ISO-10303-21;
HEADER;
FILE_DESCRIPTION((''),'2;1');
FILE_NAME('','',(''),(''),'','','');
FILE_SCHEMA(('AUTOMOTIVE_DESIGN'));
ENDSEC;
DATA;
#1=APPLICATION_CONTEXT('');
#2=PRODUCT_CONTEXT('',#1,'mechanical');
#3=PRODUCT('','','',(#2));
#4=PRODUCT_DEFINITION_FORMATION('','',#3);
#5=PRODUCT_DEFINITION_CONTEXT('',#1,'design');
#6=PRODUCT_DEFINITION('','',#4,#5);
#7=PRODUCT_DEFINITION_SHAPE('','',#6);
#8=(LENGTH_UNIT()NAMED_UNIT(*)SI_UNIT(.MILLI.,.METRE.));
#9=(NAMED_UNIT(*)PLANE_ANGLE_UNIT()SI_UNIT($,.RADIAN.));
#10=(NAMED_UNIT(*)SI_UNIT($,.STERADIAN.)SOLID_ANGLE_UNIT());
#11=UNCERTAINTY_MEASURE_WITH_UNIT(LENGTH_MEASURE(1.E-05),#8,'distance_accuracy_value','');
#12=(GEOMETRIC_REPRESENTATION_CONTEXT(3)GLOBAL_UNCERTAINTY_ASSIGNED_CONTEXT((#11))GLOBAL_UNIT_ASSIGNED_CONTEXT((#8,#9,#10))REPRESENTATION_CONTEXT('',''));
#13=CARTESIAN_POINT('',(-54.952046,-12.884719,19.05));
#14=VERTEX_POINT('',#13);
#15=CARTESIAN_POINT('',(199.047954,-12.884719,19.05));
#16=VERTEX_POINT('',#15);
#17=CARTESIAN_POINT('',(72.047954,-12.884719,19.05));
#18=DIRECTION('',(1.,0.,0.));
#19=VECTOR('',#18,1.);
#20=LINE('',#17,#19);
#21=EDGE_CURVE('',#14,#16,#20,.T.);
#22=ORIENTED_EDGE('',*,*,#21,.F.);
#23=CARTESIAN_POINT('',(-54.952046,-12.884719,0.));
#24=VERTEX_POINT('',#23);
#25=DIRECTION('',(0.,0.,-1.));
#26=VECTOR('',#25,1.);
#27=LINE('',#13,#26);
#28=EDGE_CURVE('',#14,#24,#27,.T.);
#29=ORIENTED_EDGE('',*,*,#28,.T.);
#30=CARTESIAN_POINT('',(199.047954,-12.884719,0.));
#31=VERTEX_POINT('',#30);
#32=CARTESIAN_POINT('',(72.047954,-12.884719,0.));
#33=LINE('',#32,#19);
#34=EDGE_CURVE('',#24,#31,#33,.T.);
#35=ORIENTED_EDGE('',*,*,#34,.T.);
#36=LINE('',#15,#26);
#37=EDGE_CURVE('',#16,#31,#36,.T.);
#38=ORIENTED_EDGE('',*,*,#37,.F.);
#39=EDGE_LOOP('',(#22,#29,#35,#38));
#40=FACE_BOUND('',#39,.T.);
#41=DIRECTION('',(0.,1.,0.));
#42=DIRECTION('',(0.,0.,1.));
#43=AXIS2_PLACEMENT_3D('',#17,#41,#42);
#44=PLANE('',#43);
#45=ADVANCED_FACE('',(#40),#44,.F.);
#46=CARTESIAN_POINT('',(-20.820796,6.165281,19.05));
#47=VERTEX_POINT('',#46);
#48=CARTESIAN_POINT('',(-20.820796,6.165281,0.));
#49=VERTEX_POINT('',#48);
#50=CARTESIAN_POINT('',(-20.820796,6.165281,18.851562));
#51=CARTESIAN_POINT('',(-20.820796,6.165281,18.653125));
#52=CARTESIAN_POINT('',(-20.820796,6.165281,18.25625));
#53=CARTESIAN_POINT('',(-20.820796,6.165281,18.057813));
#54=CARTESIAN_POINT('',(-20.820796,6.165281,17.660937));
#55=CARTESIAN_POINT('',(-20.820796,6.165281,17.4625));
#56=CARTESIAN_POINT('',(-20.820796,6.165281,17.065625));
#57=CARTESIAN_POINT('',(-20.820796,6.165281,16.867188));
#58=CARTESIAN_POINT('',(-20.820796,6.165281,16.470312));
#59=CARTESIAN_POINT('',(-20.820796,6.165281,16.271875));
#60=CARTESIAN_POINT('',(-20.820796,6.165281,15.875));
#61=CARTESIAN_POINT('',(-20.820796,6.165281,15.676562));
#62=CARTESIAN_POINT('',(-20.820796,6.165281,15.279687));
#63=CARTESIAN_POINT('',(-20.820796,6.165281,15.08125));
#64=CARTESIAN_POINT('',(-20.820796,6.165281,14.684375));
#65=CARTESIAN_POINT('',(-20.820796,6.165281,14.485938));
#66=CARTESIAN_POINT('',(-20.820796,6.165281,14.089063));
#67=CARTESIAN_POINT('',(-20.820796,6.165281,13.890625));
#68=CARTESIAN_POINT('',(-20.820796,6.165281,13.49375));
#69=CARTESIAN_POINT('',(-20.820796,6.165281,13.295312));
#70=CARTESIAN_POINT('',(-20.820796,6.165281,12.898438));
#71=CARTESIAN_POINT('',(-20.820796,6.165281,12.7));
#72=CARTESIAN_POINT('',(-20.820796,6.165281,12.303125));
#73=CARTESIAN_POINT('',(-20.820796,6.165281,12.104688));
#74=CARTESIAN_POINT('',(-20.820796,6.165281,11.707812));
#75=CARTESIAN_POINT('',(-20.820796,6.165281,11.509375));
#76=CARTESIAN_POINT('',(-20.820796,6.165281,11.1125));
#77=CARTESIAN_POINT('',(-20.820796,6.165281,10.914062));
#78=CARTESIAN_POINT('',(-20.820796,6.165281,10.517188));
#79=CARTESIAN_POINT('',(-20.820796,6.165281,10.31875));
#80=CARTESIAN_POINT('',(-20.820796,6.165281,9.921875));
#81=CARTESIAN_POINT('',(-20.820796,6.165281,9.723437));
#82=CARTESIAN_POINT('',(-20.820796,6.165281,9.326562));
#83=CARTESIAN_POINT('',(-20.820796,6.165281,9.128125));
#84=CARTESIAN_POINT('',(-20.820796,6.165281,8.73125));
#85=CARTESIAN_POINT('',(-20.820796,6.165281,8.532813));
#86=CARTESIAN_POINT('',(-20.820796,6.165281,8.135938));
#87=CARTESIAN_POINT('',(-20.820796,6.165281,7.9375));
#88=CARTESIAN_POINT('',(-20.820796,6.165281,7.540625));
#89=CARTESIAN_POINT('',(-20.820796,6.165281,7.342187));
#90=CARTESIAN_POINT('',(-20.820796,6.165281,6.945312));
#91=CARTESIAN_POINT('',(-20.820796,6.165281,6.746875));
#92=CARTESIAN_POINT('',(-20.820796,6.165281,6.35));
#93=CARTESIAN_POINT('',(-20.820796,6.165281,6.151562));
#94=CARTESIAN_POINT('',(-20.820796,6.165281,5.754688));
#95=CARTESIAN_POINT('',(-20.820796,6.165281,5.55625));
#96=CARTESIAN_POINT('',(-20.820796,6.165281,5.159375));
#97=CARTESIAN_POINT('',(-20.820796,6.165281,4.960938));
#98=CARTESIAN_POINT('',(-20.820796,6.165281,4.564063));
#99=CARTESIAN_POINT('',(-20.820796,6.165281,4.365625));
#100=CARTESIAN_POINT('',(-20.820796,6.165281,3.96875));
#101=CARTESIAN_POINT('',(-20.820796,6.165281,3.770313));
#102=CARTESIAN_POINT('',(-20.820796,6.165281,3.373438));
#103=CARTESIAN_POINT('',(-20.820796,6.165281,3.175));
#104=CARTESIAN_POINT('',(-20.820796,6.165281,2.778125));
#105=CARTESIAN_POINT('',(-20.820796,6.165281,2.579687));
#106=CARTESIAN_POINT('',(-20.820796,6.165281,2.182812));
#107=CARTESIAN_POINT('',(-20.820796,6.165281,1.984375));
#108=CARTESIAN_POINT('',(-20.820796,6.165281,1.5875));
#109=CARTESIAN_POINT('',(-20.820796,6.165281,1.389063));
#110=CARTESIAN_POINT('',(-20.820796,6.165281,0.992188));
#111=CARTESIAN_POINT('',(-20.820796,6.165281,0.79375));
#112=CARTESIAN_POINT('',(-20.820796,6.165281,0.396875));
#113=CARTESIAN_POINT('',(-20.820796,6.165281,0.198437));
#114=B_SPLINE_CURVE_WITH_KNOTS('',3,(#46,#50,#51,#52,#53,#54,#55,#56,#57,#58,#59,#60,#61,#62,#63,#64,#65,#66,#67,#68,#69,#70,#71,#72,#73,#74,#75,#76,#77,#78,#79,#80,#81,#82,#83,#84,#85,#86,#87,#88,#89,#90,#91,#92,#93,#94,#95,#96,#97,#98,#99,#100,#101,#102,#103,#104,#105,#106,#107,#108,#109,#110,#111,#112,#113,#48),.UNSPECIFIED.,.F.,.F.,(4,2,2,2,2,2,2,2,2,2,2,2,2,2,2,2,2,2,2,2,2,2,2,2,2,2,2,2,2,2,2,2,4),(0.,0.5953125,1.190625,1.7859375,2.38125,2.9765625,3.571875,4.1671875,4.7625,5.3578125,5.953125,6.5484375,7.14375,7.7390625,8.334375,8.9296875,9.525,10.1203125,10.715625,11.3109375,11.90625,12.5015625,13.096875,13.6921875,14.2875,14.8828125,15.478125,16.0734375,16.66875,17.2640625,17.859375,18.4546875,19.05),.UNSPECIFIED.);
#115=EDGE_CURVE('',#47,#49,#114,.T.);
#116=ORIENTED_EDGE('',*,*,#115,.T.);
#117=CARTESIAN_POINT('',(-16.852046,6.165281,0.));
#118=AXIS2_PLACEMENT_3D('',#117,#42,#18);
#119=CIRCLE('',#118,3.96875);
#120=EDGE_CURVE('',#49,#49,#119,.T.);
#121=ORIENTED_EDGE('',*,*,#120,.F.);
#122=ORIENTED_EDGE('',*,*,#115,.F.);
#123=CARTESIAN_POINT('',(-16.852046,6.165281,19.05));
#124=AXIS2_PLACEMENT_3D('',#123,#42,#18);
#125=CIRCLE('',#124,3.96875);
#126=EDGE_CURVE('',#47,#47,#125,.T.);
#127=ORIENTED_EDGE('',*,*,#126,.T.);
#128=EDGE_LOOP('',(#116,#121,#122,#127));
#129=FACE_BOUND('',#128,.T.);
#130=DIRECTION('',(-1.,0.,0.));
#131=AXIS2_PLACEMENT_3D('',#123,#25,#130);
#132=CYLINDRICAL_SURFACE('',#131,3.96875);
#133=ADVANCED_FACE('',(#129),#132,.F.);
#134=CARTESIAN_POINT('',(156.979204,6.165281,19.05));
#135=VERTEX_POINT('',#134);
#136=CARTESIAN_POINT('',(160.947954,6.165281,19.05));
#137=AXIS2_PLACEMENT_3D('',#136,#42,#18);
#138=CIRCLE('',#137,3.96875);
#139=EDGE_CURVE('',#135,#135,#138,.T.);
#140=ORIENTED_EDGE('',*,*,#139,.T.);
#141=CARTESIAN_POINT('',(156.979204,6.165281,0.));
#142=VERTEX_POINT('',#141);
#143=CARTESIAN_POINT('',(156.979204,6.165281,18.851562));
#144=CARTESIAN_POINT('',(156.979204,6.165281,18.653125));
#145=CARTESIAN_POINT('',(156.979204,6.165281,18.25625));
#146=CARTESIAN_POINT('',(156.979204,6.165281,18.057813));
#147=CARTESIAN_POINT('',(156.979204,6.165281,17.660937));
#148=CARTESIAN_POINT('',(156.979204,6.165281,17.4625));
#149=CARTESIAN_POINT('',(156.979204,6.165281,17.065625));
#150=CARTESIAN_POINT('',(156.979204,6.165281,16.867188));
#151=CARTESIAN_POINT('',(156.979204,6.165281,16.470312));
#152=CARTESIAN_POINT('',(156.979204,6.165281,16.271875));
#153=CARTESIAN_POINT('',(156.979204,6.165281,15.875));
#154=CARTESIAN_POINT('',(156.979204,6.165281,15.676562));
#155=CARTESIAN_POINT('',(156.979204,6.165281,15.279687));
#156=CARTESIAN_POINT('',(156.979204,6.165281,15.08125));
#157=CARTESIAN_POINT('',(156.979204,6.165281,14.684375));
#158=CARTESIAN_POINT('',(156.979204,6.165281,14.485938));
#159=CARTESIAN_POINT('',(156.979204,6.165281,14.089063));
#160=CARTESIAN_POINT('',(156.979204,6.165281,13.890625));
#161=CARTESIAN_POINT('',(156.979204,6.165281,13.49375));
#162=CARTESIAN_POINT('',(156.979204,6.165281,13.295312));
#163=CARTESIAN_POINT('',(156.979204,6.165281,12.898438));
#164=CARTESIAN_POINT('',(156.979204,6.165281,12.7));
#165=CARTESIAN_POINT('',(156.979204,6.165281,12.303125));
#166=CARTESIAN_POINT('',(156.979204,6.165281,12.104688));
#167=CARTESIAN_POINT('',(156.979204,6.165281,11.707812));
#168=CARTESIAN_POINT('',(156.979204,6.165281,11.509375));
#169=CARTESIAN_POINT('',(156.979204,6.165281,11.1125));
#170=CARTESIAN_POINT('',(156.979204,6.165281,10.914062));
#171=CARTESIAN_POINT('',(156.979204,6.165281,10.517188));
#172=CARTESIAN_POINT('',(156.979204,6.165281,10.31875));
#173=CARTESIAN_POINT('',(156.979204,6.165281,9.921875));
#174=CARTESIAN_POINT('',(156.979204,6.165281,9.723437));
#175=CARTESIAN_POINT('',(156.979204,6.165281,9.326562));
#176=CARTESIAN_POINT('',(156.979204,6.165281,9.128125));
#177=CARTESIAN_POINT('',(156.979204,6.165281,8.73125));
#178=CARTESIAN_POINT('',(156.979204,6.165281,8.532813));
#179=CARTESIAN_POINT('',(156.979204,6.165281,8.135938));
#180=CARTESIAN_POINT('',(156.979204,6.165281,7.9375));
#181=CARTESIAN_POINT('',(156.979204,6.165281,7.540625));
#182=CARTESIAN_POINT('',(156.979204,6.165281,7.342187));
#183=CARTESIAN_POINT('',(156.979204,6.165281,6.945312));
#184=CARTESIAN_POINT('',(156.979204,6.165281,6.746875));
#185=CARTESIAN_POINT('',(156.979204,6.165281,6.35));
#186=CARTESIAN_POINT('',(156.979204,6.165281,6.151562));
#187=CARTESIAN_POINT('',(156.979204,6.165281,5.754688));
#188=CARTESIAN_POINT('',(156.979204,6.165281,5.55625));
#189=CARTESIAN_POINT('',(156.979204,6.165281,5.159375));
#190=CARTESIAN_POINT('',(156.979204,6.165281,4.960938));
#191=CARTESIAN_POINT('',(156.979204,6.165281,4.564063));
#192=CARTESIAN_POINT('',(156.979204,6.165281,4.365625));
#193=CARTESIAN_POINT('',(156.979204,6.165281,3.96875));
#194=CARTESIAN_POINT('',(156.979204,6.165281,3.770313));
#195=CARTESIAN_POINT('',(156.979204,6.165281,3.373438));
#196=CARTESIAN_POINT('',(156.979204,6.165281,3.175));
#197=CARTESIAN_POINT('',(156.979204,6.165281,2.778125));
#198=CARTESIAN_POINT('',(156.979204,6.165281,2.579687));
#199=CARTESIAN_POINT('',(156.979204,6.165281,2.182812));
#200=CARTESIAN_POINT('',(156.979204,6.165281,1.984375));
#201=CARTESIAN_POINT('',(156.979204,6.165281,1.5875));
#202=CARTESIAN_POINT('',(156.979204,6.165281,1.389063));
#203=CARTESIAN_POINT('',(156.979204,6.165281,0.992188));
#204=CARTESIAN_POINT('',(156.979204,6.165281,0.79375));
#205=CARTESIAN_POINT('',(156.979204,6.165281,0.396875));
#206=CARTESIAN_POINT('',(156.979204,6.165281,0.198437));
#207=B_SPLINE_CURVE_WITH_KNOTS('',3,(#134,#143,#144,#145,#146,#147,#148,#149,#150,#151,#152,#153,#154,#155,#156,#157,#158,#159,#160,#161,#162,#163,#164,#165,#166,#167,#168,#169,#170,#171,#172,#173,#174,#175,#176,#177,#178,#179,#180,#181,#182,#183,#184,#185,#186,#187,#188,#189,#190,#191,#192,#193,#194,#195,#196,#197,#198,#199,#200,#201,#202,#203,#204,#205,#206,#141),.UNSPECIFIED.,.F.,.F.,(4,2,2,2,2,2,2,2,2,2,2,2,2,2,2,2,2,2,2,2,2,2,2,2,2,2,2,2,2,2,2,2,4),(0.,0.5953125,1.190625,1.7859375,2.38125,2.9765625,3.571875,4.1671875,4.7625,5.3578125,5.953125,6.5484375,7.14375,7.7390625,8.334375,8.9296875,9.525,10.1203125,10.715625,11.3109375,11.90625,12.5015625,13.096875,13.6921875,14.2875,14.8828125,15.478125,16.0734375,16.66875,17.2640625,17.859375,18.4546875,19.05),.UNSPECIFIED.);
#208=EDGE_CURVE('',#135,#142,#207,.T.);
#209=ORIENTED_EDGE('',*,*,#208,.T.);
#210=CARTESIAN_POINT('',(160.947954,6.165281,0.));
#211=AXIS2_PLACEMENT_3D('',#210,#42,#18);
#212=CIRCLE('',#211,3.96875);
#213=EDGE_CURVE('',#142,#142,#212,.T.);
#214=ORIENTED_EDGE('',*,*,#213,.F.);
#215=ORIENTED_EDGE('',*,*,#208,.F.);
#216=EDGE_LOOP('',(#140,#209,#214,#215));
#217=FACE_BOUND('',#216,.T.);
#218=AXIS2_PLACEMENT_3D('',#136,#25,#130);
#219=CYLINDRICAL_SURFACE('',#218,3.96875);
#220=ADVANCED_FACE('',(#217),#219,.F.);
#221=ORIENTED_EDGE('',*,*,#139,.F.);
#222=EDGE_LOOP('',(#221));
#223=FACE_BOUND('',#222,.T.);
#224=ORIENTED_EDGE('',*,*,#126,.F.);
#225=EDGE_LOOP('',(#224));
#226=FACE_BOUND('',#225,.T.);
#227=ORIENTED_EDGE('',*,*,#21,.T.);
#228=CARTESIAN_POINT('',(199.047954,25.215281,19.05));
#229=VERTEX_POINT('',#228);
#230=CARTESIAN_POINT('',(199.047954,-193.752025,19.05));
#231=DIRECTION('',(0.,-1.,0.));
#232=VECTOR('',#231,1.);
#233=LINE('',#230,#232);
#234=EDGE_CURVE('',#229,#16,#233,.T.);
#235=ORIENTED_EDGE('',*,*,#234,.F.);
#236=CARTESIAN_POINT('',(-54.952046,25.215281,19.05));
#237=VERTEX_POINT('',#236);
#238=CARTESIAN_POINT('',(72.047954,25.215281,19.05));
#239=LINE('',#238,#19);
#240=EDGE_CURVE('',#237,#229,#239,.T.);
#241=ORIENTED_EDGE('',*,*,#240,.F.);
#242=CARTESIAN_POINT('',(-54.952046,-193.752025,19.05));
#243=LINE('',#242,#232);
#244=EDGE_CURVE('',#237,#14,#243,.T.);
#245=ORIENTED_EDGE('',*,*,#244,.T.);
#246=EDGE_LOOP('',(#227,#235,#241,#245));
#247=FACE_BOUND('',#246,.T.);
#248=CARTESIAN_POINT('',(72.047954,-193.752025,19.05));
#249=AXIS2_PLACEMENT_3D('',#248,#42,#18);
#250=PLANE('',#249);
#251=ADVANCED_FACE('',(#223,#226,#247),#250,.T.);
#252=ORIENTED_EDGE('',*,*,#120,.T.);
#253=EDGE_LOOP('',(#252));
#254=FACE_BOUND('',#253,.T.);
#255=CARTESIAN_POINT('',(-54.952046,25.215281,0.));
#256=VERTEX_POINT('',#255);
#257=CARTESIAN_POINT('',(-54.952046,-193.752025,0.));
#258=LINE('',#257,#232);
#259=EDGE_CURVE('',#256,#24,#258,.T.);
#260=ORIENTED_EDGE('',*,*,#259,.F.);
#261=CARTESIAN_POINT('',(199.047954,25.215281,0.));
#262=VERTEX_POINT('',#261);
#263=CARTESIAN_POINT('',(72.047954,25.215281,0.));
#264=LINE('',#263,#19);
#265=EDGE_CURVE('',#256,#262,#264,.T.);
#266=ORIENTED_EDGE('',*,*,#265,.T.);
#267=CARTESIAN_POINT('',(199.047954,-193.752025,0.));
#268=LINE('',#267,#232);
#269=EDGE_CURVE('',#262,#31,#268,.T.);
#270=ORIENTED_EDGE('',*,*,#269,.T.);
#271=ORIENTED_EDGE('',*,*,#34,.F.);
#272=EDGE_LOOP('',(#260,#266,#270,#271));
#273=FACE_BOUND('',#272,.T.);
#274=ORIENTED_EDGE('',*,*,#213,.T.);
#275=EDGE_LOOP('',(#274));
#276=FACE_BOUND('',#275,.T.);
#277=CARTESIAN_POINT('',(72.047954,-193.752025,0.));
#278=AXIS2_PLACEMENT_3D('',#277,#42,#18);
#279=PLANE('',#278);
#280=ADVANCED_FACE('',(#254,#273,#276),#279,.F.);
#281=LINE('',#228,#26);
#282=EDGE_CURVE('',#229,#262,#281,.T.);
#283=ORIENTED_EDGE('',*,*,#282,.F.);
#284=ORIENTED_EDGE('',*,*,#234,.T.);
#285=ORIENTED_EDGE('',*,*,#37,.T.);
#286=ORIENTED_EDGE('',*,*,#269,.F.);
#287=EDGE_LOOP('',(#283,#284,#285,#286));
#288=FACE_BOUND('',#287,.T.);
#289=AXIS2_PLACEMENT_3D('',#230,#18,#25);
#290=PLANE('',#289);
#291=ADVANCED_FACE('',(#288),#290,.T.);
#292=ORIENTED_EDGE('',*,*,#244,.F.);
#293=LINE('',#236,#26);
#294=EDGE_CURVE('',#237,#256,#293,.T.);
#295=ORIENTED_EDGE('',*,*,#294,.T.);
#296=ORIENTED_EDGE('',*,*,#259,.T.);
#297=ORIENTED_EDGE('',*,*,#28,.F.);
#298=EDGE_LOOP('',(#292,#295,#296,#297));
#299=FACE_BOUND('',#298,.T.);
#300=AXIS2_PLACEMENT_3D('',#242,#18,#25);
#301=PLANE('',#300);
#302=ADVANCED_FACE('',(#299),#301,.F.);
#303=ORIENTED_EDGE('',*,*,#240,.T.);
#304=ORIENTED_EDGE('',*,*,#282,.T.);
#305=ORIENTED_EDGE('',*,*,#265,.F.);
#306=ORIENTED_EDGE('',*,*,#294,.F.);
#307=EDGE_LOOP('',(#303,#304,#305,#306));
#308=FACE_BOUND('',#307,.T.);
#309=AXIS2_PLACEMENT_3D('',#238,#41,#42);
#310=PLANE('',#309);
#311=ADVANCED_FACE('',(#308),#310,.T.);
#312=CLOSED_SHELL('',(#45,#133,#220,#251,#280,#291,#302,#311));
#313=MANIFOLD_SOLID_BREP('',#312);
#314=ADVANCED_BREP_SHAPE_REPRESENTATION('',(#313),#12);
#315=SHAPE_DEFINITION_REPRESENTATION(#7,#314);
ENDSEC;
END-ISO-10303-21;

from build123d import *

# Parameters (mm, degrees)
BOSS_EXTRUDE2_DEPTH = 19.05


with BuildPart() as part:
    # Sketch1 → Boss-Extrude2 (new body)
    with BuildSketch(Plane.XY):
        with BuildLine():
            ThreePointArc((-20.820795526, 6.165281251), (-16.852045526, 10.134031251), (-12.883295526, 6.165281251))
            Line((-12.883295526, 6.165281251), (72.047954474, 6.165281251))
            Line((72.047954474, 6.165281251), (156.979204474, 6.165281251))
            ThreePointArc((156.979204474, 6.165281251), (160.947954474, 10.134031251), (164.916704474, 6.165281251))
            Line((164.916704474, 6.165281251), (199.047954474, 6.165281251))
            Line((199.047954474, 6.165281251), (199.047954474, 25.215281251))
            Line((199.047954474, 25.215281251), (-54.952045526, 25.215281251))
            Line((-54.952045526, 25.215281251), (-54.952045526, 6.165281251))
            Line((-54.952045526, 6.165281251), (-20.820795526, 6.165281251))
        make_face()
        with BuildLine():
            Line((72.047954474, 6.165281251), (-12.883295526, 6.165281251))
            ThreePointArc((-12.883295526, 6.165281251), (-16.852045526, 2.196531251), (-20.820795526, 6.165281251))
            Line((-20.820795526, 6.165281251), (-54.952045526, 6.165281251))
            Line((-54.952045526, 6.165281251), (-54.952045526, -12.884718749))
            Line((-54.952045526, -12.884718749), (199.047954474, -12.884718749))
            Line((199.047954474, -12.884718749), (199.047954474, 6.165281251))
            Line((199.047954474, 6.165281251), (164.916704474, 6.165281251))
            ThreePointArc((164.916704474, 6.165281251), (160.947954474, 2.196531251), (156.979204474, 6.165281251))
            Line((156.979204474, 6.165281251), (72.047954474, 6.165281251))
        make_face()
    extrude(amount=BOSS_EXTRUDE2_DEPTH)


solid = part.part
